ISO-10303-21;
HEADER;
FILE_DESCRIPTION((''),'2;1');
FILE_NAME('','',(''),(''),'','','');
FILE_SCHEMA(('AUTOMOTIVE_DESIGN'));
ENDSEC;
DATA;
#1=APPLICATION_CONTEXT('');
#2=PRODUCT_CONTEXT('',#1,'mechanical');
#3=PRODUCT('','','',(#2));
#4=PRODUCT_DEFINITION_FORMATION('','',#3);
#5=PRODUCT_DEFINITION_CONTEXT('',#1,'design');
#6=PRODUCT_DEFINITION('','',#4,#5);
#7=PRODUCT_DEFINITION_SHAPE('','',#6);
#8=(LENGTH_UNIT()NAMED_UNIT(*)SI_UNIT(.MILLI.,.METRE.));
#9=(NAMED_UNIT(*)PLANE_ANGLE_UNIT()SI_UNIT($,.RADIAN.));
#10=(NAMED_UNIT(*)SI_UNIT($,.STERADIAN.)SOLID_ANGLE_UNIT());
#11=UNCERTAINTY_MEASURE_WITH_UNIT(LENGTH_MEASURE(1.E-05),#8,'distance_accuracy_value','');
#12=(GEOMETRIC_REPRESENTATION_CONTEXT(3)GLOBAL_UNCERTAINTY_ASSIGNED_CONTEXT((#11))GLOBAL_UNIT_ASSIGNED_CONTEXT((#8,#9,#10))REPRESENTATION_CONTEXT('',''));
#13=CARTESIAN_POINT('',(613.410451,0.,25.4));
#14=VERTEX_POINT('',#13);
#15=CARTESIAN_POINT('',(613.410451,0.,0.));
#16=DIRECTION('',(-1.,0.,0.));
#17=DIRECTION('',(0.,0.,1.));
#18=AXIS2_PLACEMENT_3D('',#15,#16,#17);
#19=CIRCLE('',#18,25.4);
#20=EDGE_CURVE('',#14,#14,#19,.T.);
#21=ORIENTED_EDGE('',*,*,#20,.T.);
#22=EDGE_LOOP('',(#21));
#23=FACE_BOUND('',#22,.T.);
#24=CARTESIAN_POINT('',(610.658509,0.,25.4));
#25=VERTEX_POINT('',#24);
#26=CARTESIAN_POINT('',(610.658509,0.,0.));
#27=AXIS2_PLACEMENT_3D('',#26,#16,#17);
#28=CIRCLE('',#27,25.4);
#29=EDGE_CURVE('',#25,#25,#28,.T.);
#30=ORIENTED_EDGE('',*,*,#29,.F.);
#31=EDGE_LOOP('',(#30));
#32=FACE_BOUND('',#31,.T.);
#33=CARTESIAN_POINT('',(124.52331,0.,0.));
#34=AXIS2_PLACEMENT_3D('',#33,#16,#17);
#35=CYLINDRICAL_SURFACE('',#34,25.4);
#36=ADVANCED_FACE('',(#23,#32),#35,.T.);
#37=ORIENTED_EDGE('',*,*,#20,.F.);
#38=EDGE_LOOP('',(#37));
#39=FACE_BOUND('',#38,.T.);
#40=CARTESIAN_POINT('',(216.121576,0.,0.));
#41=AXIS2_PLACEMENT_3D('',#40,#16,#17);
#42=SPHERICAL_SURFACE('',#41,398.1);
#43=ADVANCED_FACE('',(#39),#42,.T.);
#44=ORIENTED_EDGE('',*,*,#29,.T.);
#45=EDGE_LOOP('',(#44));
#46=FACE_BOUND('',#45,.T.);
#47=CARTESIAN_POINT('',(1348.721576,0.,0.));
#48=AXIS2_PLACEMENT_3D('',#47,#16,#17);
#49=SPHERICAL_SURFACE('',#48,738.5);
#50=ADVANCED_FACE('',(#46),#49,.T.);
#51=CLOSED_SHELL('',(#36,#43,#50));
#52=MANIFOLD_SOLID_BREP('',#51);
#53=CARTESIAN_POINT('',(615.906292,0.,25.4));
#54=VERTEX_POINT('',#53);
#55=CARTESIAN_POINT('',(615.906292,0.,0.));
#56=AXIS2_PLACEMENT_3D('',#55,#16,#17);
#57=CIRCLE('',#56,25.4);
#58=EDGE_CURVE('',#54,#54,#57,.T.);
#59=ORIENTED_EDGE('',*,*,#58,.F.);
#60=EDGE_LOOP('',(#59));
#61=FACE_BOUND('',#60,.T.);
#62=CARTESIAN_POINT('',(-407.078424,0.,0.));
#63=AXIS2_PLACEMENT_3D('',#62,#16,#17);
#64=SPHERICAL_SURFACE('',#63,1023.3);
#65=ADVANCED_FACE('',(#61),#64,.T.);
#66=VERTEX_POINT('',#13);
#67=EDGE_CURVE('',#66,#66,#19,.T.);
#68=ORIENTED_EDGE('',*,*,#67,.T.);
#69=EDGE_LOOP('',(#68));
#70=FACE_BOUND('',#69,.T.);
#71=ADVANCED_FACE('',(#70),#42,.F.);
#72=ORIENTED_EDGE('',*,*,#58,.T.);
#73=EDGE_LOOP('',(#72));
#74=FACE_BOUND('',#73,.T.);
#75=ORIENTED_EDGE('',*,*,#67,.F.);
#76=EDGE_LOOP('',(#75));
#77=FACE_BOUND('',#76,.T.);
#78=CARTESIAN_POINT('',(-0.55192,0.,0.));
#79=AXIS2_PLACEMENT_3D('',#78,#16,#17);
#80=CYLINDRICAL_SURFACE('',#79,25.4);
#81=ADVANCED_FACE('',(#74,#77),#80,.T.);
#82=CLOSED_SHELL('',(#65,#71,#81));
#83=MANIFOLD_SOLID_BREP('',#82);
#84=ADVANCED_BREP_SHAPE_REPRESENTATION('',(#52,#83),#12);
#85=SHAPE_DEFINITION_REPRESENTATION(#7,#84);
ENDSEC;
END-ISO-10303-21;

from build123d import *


with BuildPart() as part:
    # 草图1 one side → 旋转1 (revolve)
    with BuildSketch(Plane(origin=(0, 0, 0), x_dir=(1, 0, 0), z_dir=(0, 1, 0)), mode=Mode.PRIVATE) as revolve_1_sk:
        with BuildLine():
            ThreePointArc((610.658509495, 25.4), (610.330817383, 12.701878906), (610.221575906, 0))
            Line((610.221575906, 0), (614.221575906, 0))
            ThreePointArc((614.221575906, 0), (614.018742922, 12.706473982), (613.410450656, 25.4))
            Line((613.410450656, 25.4), (610.658509495, 25.4))
        make_face()
    revolve(revolve_1_sk.sketch.rotate(Axis((124.523309526, 0, 0), (1, 0, 0)), 180), axis=Axis((124.523309526, 0, 0), (1, 0, 0)))  # turned: the seam where the file's is


with BuildPart() as body_2:
    # 草图2 one side → 旋转3 (revolve)
    with BuildSketch(Plane(origin=(0, 0, 0), x_dir=(1, 0, 0), z_dir=(0, 1, 0)), mode=Mode.PRIVATE) as revolve_3_sk:
        with BuildLine():
            Line((615.906292312, 25.4), (613.410450656, 25.4))
            ThreePointArc((613.410450656, 25.4), (614.018742922, 12.706473982), (614.221575906, 0))
            Line((614.221575906, 0), (616.221575906, 0))
            ThreePointArc((616.221575906, 0), (616.142751972, 12.700978346), (615.906292312, 25.4))
        make_face()
    revolve(revolve_3_sk.sketch.rotate(Axis((-0.551919993, 0, 0), (1, 0, 0)), 180), axis=Axis((-0.551919993, 0, 0), (1, 0, 0)))  # turned: the seam where the file's is


solid = Compound([part.part, body_2.part])
